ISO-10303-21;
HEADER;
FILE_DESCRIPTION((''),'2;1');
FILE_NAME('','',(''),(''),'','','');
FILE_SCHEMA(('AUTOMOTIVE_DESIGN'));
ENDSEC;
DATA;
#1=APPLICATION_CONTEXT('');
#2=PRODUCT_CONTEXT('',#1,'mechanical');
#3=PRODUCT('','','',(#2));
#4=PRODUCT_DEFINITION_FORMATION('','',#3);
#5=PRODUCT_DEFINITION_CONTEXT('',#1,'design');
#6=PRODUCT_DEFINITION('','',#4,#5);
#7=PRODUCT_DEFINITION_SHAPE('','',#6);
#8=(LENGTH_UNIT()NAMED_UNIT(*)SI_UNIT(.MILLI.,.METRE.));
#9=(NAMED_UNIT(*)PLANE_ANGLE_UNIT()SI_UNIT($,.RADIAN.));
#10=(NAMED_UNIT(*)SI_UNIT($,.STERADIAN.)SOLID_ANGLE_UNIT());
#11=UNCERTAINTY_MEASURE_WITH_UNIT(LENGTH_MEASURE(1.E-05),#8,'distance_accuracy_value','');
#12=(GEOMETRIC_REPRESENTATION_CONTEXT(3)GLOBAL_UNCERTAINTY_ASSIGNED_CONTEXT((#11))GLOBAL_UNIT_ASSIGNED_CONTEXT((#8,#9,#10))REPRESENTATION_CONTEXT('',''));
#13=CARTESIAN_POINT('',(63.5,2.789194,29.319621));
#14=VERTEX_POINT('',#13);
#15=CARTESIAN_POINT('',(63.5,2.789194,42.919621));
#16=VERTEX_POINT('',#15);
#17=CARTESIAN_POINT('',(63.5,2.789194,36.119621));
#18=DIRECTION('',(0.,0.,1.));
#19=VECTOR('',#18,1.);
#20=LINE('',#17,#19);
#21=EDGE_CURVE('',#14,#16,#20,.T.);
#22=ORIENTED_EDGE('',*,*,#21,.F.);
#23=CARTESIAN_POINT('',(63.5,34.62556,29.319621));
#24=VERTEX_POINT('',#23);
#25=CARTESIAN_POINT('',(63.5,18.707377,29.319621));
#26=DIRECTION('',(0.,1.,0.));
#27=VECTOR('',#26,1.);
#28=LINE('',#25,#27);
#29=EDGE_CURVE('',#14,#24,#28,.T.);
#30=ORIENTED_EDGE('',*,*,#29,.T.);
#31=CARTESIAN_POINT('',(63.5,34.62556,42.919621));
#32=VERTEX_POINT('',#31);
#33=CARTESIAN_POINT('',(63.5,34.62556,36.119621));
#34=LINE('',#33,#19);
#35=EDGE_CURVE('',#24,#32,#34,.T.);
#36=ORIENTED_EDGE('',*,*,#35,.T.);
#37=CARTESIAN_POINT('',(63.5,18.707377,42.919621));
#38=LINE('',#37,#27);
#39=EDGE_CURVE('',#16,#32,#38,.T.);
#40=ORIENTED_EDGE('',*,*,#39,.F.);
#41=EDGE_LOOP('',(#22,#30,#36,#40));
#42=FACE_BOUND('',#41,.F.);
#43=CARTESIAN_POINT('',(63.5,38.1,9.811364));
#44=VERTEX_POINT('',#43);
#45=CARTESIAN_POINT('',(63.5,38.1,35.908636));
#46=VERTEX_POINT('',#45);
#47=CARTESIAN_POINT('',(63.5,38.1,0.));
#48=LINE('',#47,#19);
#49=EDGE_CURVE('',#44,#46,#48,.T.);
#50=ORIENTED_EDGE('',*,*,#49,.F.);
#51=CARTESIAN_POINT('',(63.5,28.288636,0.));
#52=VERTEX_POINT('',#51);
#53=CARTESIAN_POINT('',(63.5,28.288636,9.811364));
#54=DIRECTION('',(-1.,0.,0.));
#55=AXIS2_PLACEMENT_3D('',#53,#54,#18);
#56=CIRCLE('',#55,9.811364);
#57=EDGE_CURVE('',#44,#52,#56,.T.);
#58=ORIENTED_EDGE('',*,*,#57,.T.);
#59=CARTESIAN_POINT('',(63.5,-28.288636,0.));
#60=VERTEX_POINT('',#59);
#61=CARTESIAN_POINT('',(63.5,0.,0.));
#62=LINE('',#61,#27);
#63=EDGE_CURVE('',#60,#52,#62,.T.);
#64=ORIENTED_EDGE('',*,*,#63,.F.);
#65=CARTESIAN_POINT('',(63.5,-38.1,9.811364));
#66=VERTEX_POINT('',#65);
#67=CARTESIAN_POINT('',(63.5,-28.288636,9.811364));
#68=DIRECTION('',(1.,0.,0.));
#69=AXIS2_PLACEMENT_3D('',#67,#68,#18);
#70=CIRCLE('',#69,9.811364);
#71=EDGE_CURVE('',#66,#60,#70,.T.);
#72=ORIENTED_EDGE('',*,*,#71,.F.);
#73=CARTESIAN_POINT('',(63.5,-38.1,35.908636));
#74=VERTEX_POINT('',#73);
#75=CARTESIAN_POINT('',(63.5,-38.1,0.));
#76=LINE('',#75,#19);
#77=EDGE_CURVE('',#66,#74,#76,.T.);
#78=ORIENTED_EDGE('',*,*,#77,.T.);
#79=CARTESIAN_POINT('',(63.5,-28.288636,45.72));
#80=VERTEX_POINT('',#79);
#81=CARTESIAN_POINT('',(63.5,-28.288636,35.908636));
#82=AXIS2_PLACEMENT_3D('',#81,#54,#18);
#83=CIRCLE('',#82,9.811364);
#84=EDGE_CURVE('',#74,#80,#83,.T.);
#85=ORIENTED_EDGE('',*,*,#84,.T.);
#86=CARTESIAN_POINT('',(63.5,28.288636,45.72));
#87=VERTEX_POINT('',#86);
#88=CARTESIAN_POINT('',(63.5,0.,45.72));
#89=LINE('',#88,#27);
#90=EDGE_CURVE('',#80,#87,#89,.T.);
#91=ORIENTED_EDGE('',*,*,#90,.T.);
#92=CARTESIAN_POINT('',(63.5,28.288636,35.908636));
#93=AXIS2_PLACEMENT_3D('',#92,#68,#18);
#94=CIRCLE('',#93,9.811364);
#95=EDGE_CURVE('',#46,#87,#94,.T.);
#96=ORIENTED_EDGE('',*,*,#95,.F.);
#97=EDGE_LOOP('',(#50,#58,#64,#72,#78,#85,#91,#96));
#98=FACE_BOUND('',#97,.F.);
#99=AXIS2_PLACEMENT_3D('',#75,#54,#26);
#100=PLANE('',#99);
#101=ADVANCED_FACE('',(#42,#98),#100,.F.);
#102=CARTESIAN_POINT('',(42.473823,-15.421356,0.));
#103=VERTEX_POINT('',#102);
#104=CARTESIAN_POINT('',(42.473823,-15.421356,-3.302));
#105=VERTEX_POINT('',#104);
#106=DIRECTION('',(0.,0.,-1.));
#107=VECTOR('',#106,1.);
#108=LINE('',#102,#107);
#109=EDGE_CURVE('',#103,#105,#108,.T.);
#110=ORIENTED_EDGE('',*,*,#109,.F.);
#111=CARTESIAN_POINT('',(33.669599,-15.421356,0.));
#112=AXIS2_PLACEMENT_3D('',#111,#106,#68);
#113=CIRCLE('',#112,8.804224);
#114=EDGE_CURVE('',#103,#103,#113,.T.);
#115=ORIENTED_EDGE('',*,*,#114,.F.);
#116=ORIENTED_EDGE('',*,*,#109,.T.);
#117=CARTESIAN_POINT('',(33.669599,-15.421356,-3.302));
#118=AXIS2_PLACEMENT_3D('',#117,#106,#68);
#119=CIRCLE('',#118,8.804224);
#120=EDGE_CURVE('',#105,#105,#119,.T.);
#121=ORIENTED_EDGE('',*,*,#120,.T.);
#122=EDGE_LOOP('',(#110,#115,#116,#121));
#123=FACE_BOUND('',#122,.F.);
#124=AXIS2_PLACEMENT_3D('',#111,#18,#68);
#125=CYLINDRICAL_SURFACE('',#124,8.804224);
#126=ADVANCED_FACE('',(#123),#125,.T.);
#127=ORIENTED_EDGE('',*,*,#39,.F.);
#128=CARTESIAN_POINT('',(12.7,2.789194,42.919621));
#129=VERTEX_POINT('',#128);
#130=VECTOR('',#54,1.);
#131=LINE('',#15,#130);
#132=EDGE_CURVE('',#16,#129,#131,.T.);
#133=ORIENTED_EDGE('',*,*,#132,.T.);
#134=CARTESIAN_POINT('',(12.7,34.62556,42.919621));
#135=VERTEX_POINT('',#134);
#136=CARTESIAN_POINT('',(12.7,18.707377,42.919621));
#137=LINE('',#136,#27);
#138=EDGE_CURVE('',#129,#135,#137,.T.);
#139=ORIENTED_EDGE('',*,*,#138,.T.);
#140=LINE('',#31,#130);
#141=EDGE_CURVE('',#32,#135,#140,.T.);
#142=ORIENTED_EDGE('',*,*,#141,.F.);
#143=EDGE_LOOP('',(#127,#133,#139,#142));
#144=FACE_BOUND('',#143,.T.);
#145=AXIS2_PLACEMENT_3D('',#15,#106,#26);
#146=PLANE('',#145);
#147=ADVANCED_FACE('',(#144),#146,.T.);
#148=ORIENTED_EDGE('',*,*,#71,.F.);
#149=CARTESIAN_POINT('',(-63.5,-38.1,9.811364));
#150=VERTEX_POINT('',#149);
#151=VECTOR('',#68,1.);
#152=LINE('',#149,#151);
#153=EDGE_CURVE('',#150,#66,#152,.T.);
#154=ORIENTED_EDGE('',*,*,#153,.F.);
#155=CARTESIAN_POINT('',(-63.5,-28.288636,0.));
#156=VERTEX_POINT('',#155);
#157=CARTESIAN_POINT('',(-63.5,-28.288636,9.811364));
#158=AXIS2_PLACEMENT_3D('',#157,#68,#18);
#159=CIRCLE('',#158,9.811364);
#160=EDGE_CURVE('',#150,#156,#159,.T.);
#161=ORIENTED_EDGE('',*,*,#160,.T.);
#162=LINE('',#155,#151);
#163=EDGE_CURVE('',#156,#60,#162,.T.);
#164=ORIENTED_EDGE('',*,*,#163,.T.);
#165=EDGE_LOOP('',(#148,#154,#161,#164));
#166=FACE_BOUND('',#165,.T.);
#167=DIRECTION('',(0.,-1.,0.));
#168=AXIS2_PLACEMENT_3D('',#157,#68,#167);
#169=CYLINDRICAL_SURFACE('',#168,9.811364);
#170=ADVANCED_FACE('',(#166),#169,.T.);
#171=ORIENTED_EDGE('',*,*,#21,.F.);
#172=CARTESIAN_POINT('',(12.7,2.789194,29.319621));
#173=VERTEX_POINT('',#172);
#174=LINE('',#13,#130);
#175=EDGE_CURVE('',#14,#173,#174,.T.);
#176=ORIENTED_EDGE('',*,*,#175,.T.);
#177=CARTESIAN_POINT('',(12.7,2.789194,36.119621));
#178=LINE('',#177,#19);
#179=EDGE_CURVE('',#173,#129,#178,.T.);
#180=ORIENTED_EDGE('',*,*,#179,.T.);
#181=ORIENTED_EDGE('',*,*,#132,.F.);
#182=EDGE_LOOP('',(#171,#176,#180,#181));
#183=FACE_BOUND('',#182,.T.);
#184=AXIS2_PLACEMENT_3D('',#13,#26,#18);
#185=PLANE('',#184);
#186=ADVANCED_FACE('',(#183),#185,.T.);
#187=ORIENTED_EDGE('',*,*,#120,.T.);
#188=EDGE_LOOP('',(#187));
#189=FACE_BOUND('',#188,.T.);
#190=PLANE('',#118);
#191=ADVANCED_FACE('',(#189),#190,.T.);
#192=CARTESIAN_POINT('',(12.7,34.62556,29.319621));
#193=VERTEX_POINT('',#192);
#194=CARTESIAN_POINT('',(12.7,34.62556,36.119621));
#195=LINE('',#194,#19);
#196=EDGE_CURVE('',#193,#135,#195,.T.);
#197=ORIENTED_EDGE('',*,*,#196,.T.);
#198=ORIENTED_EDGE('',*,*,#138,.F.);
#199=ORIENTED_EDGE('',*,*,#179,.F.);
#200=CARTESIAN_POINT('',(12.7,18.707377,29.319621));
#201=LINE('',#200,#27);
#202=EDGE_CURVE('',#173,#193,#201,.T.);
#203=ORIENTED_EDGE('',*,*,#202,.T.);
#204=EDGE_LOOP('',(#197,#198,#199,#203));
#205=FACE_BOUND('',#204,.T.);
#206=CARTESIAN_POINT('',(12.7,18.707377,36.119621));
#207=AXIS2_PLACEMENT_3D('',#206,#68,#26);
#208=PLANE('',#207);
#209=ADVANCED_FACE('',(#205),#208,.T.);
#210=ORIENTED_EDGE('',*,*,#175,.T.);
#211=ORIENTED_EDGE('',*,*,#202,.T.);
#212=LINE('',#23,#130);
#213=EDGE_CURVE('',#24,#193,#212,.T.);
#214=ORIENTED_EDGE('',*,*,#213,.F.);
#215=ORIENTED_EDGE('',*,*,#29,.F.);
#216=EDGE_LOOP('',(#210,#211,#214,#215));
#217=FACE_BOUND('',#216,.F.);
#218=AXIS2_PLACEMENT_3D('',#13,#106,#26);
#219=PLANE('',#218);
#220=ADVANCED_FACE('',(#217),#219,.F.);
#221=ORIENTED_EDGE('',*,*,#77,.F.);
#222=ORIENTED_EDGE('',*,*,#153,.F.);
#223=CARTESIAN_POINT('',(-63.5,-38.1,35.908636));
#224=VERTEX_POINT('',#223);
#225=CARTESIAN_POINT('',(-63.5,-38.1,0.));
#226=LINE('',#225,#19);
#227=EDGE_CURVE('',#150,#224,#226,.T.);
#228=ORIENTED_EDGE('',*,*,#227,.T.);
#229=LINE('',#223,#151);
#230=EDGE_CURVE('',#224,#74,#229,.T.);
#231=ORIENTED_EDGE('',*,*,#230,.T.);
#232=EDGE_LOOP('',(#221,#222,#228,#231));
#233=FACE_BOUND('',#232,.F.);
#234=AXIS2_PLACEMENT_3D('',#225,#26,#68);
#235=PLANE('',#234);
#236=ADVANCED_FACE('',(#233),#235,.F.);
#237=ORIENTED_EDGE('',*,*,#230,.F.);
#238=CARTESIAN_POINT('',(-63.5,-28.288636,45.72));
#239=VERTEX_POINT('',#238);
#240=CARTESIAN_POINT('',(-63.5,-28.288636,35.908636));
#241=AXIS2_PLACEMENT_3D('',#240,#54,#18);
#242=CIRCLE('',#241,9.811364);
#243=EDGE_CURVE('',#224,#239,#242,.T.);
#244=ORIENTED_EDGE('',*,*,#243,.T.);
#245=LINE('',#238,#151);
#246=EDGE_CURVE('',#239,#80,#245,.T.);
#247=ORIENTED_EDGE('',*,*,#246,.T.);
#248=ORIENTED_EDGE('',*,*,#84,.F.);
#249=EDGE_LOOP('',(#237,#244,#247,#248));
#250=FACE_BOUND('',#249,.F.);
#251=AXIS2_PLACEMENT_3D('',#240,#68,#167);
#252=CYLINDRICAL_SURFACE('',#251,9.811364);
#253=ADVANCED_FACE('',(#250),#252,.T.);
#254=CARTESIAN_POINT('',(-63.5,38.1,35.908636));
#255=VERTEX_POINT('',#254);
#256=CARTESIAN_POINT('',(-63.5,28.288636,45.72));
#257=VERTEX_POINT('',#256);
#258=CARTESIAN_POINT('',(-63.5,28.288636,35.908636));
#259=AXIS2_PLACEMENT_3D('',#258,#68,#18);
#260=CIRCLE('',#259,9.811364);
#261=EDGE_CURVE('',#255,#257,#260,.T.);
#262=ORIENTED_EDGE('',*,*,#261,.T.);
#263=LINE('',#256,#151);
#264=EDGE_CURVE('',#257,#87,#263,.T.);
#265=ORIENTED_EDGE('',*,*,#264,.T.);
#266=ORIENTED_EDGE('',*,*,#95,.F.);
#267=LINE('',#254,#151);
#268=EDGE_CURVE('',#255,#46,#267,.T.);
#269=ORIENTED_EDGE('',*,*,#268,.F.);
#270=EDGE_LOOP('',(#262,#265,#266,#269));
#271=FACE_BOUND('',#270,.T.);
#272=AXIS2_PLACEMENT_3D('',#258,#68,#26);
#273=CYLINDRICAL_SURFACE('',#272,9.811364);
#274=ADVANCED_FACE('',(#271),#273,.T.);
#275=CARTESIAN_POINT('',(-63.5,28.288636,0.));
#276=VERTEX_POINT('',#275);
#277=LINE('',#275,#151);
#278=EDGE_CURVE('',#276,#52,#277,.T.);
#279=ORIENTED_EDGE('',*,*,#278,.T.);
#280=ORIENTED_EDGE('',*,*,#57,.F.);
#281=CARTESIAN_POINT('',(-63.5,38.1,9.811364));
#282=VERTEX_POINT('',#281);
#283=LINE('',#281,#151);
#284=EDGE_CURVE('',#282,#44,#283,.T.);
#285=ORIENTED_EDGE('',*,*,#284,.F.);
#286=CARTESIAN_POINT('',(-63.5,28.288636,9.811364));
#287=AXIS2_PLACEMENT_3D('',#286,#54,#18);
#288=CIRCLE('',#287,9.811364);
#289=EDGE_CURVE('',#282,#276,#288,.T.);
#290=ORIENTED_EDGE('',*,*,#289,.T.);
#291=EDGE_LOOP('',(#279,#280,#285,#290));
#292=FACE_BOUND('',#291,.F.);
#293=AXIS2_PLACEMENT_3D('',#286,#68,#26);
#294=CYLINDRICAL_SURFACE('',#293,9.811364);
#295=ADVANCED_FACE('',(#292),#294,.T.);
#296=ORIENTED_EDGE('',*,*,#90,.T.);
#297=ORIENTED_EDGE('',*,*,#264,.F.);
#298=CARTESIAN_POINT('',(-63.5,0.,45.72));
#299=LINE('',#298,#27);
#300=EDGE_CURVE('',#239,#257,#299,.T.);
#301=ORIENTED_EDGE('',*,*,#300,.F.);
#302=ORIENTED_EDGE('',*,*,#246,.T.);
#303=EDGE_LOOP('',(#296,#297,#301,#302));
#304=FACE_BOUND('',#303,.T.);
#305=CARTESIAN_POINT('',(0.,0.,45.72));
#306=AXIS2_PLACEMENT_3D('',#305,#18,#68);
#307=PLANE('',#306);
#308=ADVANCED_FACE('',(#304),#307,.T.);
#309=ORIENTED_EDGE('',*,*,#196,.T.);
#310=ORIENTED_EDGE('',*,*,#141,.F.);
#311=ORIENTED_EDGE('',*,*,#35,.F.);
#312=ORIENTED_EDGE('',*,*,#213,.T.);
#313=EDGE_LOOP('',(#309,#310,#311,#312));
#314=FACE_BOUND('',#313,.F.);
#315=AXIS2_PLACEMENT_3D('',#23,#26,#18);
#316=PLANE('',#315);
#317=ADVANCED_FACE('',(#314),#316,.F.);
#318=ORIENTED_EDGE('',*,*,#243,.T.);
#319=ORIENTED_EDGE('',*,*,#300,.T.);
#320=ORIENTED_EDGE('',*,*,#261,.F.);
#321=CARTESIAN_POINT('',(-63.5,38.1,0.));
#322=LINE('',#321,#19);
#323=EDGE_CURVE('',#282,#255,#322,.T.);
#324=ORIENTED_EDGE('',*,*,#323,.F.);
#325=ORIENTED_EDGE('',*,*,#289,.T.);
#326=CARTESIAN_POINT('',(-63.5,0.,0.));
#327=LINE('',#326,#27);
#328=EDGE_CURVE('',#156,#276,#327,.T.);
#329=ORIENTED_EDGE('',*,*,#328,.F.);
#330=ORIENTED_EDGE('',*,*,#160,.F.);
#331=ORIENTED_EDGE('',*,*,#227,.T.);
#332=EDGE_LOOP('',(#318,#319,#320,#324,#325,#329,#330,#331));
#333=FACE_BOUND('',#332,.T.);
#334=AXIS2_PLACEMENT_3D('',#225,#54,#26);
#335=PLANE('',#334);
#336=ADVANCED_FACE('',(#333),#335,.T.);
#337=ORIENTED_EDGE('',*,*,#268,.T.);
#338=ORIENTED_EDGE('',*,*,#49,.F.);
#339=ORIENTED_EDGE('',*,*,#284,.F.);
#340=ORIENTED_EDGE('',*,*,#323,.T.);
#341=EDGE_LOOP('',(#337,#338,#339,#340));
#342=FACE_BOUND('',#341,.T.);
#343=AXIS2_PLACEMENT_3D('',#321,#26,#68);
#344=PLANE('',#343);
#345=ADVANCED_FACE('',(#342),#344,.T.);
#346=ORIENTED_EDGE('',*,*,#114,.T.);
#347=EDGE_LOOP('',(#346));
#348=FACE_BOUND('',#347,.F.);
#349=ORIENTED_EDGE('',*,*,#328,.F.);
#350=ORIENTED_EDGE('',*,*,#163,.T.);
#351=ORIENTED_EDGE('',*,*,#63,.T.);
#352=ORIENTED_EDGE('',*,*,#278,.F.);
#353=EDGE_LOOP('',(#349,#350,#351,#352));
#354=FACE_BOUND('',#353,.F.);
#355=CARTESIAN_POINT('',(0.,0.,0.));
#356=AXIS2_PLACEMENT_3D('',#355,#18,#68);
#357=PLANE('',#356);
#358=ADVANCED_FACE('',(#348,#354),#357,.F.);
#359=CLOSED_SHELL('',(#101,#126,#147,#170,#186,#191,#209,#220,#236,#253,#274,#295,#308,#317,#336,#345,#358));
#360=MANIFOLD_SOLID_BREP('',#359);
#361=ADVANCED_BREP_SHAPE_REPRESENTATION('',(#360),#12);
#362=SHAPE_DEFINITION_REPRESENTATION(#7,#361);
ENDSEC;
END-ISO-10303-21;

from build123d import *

# Parameters (mm, degrees)
F0_W     = 127
F0_H     = 76.2
F1_DEPTH = 45.72
F2_R     = 9.811364
F3_R     = 8.804224
F4_DEPTH = 3.302
F5_W     = 31.836366
F5_H     = 13.6
F6_DEPTH = 50.8


with BuildPart() as f1:
    # F0 (on Top) → F1 (new body)
    with BuildSketch(Plane.XY):
        Rectangle(F0_W, F0_H)
    extrude(amount=F1_DEPTH)

    # F2
    f2_edges = [f1.edges().sort_by_distance(p)[0] for p in [
        (0, -38.1, 45.72),
        (0, 38.1, 45.72),
        (0, -38.1, 0),
        (0, 38.1, 0),
    ]]
    fillet(f2_edges, radius=F2_R)

    # F3 (on face) → F4 (join)
    with BuildSketch(Plane(origin=(0, 0, 0), x_dir=(1, 0, 0), z_dir=(0, 0, -1))):
        with Locations((33.669599, 15.421356)):
            Circle(F3_R)
    extrude(amount=F4_DEPTH)

    # F5 (on face) → F6 (cut)
    with BuildSketch(Plane.YZ.offset(63.5)):
        with Locations((18.707377, 36.119621)):
            Rectangle(F5_W, F5_H)
    extrude(amount=-F6_DEPTH, mode=Mode.SUBTRACT)


solid = f1.part
